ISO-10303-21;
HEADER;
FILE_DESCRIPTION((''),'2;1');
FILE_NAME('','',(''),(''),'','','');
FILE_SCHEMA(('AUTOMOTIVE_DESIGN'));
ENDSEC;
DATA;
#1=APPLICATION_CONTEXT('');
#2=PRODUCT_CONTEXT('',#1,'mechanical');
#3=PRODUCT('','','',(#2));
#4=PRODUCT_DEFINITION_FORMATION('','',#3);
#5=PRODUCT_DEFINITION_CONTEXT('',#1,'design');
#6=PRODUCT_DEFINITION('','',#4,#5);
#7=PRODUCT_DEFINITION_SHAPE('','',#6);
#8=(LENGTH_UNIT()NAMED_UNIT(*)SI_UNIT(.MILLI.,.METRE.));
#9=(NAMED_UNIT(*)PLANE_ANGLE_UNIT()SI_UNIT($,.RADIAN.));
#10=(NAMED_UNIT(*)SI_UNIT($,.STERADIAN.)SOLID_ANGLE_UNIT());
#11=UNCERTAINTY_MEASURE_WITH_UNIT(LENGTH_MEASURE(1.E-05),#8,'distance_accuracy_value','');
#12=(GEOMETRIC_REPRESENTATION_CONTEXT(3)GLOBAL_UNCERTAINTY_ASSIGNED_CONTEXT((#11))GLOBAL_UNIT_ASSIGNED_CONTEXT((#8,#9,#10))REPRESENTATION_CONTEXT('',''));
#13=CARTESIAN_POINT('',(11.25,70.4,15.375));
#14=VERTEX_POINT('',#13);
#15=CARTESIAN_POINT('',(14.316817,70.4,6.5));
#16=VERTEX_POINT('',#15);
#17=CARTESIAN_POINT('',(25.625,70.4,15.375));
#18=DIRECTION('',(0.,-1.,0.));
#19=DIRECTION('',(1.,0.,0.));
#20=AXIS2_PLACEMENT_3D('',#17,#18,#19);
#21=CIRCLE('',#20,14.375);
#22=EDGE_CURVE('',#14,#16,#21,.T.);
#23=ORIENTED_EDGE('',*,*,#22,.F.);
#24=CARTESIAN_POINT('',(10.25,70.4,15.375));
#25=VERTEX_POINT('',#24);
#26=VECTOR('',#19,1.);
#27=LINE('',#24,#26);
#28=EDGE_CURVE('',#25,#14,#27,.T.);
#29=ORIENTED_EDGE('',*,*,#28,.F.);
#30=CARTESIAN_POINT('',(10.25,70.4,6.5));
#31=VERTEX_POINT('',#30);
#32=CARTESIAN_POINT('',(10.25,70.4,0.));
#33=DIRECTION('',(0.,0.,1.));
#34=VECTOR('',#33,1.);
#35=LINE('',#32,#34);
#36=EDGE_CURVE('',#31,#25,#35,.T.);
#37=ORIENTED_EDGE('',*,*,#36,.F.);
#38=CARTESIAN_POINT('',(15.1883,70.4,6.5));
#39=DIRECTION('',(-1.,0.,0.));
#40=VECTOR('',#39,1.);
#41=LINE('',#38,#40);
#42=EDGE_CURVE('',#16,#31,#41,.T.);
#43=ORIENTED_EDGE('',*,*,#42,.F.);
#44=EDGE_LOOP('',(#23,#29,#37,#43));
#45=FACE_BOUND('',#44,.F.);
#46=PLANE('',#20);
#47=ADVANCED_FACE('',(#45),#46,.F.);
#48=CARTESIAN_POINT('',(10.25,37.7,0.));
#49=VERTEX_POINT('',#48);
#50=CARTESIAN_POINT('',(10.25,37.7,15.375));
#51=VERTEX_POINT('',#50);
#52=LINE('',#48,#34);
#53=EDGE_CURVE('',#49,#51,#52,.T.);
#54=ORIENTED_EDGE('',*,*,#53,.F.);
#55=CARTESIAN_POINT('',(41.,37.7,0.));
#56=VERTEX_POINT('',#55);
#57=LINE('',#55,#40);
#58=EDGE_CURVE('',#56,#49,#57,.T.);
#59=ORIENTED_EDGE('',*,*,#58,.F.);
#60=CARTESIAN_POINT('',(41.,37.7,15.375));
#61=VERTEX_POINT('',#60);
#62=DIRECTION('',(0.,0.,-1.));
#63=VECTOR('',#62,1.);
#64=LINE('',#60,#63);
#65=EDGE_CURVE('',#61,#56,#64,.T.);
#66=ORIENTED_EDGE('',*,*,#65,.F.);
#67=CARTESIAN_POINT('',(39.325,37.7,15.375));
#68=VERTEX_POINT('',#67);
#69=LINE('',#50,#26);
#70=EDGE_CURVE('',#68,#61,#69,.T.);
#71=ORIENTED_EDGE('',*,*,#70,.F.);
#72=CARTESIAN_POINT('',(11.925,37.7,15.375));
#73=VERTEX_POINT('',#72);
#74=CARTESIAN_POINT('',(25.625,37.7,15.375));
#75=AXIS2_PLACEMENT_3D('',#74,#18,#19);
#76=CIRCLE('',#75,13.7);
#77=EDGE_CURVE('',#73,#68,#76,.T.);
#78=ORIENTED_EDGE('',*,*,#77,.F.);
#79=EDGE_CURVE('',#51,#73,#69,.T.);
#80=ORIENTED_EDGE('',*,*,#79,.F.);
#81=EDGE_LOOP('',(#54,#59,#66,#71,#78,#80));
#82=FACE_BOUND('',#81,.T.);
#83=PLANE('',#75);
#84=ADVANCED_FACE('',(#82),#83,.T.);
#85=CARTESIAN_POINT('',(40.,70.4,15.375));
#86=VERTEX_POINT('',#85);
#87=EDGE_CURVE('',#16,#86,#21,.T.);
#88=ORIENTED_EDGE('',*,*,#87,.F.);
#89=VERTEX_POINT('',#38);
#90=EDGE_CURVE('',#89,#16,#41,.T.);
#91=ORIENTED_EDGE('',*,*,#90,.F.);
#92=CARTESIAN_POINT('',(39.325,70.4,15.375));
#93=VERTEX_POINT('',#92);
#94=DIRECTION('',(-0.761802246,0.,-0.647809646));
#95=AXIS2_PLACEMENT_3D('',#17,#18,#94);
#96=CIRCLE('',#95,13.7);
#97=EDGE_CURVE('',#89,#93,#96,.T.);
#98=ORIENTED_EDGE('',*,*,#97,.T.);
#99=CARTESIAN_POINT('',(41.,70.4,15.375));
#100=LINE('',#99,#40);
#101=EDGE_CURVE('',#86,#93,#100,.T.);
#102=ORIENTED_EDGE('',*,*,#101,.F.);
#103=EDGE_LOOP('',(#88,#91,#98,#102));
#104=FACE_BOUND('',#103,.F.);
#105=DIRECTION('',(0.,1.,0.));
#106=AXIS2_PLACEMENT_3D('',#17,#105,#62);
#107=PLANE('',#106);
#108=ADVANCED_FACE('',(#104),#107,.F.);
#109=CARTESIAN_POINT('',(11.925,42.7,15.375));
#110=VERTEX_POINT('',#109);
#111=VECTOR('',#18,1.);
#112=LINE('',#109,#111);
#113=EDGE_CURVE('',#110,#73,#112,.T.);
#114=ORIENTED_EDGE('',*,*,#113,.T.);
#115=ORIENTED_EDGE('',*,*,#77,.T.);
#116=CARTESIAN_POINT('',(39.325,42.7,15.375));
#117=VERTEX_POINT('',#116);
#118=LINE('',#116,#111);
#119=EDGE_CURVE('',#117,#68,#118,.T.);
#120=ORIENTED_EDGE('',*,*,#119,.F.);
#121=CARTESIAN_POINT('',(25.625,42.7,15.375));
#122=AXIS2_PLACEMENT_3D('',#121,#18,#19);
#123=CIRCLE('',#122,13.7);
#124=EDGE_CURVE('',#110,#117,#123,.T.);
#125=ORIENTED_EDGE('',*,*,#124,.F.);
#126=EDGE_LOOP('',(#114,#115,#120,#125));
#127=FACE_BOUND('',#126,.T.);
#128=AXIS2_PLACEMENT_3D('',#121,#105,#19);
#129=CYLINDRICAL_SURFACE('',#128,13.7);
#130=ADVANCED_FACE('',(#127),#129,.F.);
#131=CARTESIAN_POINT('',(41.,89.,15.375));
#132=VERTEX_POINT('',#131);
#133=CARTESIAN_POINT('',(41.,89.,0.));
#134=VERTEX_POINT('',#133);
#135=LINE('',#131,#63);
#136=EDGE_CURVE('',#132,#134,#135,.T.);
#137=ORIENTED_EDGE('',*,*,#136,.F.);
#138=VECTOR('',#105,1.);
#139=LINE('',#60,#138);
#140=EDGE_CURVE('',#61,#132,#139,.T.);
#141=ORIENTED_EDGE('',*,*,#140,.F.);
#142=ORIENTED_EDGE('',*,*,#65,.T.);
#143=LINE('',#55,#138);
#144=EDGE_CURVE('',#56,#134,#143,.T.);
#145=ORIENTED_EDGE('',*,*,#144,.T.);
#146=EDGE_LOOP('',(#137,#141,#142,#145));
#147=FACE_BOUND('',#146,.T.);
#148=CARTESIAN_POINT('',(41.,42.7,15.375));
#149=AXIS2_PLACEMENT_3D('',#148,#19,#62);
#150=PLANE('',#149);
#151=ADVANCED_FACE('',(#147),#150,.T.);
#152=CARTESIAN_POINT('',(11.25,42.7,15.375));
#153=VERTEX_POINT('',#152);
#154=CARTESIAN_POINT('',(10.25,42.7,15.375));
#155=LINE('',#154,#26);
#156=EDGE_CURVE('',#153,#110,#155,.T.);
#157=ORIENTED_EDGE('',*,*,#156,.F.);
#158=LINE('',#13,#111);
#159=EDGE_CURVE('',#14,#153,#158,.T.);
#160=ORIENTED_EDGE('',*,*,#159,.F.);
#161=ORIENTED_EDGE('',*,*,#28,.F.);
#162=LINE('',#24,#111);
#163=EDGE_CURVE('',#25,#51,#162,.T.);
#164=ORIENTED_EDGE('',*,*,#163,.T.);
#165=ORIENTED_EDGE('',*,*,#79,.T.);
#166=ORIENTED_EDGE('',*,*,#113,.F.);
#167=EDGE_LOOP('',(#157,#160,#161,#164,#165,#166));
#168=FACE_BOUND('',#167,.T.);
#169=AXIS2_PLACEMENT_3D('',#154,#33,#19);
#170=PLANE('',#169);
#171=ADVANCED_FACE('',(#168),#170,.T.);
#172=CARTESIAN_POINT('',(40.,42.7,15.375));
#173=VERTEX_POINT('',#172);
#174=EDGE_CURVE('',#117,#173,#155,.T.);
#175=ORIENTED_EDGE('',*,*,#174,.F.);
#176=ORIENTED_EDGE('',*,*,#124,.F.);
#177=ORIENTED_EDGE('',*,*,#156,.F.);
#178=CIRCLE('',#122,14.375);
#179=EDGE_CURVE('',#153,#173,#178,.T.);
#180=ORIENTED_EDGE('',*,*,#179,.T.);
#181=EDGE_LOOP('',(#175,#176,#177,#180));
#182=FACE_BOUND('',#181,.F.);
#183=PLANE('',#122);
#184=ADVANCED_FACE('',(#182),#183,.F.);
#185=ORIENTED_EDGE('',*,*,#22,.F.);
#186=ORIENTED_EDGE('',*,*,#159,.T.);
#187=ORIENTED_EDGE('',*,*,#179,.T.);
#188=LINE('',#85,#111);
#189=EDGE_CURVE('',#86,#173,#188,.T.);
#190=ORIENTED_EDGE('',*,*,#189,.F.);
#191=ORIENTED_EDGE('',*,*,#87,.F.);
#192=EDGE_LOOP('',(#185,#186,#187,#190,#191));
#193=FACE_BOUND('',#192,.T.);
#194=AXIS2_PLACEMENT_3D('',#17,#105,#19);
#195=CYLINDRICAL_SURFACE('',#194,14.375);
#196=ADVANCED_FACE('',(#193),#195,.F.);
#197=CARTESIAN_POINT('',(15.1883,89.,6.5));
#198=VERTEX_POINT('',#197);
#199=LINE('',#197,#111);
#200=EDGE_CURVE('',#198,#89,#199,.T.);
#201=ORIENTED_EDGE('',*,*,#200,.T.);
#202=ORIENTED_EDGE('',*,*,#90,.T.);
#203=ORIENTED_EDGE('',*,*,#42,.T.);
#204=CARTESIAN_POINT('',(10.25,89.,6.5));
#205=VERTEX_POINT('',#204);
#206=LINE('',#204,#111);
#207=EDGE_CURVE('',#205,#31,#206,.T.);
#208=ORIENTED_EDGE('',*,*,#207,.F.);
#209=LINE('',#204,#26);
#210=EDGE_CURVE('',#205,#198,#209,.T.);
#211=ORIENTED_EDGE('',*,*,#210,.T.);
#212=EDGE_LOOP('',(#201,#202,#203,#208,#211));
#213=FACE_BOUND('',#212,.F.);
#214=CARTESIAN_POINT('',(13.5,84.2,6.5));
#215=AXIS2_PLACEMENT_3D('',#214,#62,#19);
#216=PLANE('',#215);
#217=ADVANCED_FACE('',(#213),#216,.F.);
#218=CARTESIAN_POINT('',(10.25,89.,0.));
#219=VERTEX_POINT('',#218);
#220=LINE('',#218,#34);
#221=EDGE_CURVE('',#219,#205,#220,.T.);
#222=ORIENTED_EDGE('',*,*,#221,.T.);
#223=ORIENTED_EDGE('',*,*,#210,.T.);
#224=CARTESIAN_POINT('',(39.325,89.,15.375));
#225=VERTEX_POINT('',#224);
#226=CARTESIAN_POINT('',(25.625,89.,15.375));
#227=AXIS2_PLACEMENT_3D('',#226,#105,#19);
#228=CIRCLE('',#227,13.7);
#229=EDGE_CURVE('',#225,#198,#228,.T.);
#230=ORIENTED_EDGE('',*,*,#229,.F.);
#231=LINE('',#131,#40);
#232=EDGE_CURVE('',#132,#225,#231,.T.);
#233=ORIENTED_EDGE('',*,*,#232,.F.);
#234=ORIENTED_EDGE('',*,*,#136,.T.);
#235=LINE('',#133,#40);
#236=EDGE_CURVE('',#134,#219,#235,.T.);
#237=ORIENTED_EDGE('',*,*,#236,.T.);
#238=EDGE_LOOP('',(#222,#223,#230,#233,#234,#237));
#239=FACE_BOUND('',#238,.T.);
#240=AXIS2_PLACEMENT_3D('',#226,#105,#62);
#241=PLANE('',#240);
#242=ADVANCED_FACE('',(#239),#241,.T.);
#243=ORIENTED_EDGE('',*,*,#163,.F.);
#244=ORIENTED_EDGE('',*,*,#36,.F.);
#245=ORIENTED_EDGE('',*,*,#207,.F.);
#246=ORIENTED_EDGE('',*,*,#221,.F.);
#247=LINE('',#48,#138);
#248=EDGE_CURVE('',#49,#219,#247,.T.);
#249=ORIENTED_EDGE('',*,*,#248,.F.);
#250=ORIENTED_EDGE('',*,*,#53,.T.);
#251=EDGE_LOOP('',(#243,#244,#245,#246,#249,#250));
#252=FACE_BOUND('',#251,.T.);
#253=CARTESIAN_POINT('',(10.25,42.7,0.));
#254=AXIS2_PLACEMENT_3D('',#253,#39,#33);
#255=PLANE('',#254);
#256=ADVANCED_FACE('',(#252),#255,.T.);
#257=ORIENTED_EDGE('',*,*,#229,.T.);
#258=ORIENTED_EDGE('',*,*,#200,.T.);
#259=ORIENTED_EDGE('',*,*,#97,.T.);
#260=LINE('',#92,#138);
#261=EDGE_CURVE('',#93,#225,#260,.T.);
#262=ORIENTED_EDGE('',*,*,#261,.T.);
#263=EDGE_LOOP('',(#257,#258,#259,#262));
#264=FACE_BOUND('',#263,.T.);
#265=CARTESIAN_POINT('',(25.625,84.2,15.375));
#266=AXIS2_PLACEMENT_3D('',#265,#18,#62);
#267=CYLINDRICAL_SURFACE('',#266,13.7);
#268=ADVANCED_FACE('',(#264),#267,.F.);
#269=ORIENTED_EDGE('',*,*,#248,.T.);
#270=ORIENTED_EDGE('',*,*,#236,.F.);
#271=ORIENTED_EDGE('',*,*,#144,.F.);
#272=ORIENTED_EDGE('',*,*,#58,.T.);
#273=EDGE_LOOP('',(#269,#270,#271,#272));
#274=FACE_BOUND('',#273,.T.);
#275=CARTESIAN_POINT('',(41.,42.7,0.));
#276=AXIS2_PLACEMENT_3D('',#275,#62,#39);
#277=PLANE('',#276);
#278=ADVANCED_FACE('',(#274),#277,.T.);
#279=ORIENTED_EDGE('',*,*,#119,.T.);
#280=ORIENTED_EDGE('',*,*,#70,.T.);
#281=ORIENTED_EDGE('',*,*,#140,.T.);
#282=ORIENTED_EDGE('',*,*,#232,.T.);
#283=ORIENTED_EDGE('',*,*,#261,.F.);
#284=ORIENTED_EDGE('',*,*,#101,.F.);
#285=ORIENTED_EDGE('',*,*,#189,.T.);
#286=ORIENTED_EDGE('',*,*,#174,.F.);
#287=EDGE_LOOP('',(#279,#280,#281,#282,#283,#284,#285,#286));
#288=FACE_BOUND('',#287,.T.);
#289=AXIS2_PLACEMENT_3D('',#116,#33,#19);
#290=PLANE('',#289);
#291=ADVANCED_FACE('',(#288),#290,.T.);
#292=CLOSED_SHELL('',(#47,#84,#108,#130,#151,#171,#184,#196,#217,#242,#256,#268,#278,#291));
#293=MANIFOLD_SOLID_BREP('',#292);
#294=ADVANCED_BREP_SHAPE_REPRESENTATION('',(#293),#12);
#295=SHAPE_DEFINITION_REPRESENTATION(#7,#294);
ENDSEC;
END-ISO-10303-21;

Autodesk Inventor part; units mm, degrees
ref_plane "Work Plane1" through (25.625, 84.2, 15.375) normal (0, 1, 0) x (0, 0, -1)
sketch "Sketch1" plane through (25.625, 84.2, 15.375) normal (0, 1, 0) x (0, 0, -1)
  line L0 (11.5, -1.5) -> (11, -1.5) projected
  line L1 (11, -1.5) -> (11, 1.5) projected
  line L2 (11, 1.5) -> (11.5, 1.5) projected
  line L3 (11.5, 1.5) -> (11.5, -1.5) projected
  line L4 (-12, -1.5) -> (-12, 1.5) projected
  line L5 (-12, 1.5) -> (-11.5, 1.5) projected
  line L6 (-11.5, 1.5) -> (-11.5, -1.5) projected
  line L7 (-11.5, -1.5) -> (-12, -1.5) projected
  circle A0 centre (0, 0) radius 5 projected
  circle A1 centre (0, 0) radius 13.7 projected
  line L8 (18.875, -15.375) -> (18.875, 116.625) projected
  line L9 (18.875, 116.625) -> (15.375, 116.625) projected
  line L10 (15.375, -15.375) -> (15.375, 116.625) projected
  line L11 (18.875, -15.375) -> (15.375, -15.375) projected
  line L12 (15.375, -15.375) -> (0, -15.375)
  line L13 (0, -15.375) -> (0, 15.375)
  line L14 (0, 15.375) -> (15.375, 15.375)
  line L15 (15.375, 15.375) -> (15.375, -15.375)
  circle A2 centre (12.125, 12.125) radius 3.25
  circle A3 centre (12.125, -12.125) radius 3.25
  line L16 (8.875, 15.375) -> (8.875, 10.4367)
  point P0 (15.375, 25.625)
  point P1 (0, -13.7)
  dimension "d2" = 15.375
  dimension "d3" = 15.375
  dimension "d4" = 6.5
  dimension "d5" = 6.5
ref_plane "Work Plane2" through (11.25, 70.4, 1) normal (0, 1, 0) x (0, 0, 1)
extrude "Extrusion1" add sketch "Sketch1" along normal blind 4.8 and the other way blind 13.8 contours A1 L16 A2 L10 A3 L12 L13 | L16 L14 A2 | A2 | A3 L10 L12 | A3 | L14 L10 A2
sketch "Sketch2" plane through (25.625, 70.4, 15.375) normal (0, -1, 0) x (1, 0, 0)
  arc A0 (-3.651, 5.9062) -> (-4.7619, 7.7035) centre (-4.2064, 6.8048) ccw projected
  arc A1 (-3.651, 5.9062) -> (-6.4477, 2.5768) centre (0, 0) ccw projected
  arc A2 (-8.4097, 3.3608) -> (-6.4477, 2.5768) centre (-7.4287, 2.9688) ccw projected
  arc A3 (-4.7619, 7.7035) -> (-8.4097, 3.3608) centre (0, 0) ccw projected
  arc A4 (6.4477, 2.5768) -> (8.4097, 3.3608) centre (7.4287, 2.9688) ccw projected
  arc A5 (6.4477, 2.5768) -> (3.651, 5.9062) centre (0, 0) ccw projected
  arc A6 (4.7619, 7.7035) -> (3.651, 5.9062) centre (4.2064, 6.8048) ccw projected
  arc A7 (8.4097, 3.3608) -> (4.7619, 7.7035) centre (0, 0) ccw projected
  arc A8 (-6.4563, -2.5553) -> (-8.4209, -3.3328) centre (-7.4386, -2.9441) ccw projected
  arc A9 (-6.4563, -2.5553) -> (-3.651, -5.9062) centre (0, 0) ccw projected
  arc A10 (-4.7619, -7.7035) -> (-3.651, -5.9062) centre (-4.2064, -6.8048) ccw projected
  arc A11 (-8.4209, -3.3328) -> (-4.7619, -7.7035) centre (0, 0) ccw projected
  arc A12 (3.651, -5.9062) -> (4.7619, -7.7035) centre (4.2064, -6.8048) ccw projected
  arc A13 (3.651, -5.9062) -> (6.4563, -2.5553) centre (0, 0) ccw projected
  arc A14 (8.4209, -3.3328) -> (6.4563, -2.5553) centre (7.4386, -2.9441) ccw projected
  arc A15 (4.7619, -7.7035) -> (8.4209, -3.3328) centre (0, 0) ccw projected
  circle A16 centre (10.65, 0.0124) radius 1.15 projected
  circle A17 centre (0, 8) radius 1.0564 projected
  circle A18 centre (0, -8) radius 1.0564 projected
  circle A19 centre (0, 0) radius 5 projected
  circle A20 centre (0, 0) radius 13.7 projected
  line L0 (15.375, -18.875) -> (-116.625, -18.875) projected
  line L1 (-116.625, -18.875) -> (-116.625, -15.375) projected
  line L2 (15.375, -15.375) -> (-116.625, -15.375) projected
  line L3 (15.375, -18.875) -> (15.375, -15.375) projected
  line L4 (15.375, -15.375) -> (-15.375, -15.375)
  line L5 (-15.375, -15.375) -> (-15.375, 0)
  line L6 (-15.375, 0) -> (15.375, 0)
  line L7 (15.375, 0) -> (15.375, -15.375)
  circle A21 centre (0, 0) radius 14.375
  point P0 (-25.625, -15.375)
  point P1 (13.7, 0)
  point P2 (-13.7, 0)
  point P3 (-15.375, -15.375)
  point P4 (14.375, 0)
  point P5 (-14.375, 0)
  dimension "d10" = 15.375
  dimension "d11" = 15.375
ref_plane "Work Plane3" through (11.25, 42.7, 1) normal (0, -1, 0) x (1, 0, 0)
extrude "Extrusion2" add sketch "Sketch2" along normal up to surface (27.7 mm away) contours L6 L7 L2 L5 A21
sketch "Sketch3" plane through (25.625, 42.7, 15.375) normal (0, -1, 0) x (1, 0, 0)
  arc A0 (-3.651, 5.9062) -> (-4.7619, 7.7035) centre (-4.2064, 6.8048) ccw projected
  arc A1 (-3.651, 5.9062) -> (-6.4477, 2.5768) centre (0, 0) ccw projected
  arc A2 (-8.4097, 3.3608) -> (-6.4477, 2.5768) centre (-7.4287, 2.9688) ccw projected
  arc A3 (-4.7619, 7.7035) -> (-8.4097, 3.3608) centre (0, 0) ccw projected
  arc A4 (6.4477, 2.5768) -> (8.4097, 3.3608) centre (7.4287, 2.9688) ccw projected
  arc A5 (6.4477, 2.5768) -> (3.651, 5.9062) centre (0, 0) ccw projected
  arc A6 (4.7619, 7.7035) -> (3.651, 5.9062) centre (4.2064, 6.8048) ccw projected
  arc A7 (8.4097, 3.3608) -> (4.7619, 7.7035) centre (0, 0) ccw projected
  arc A8 (-6.4563, -2.5553) -> (-8.4209, -3.3328) centre (-7.4386, -2.9441) ccw projected
  arc A9 (-6.4563, -2.5553) -> (-3.651, -5.9062) centre (0, 0) ccw projected
  arc A10 (-4.7619, -7.7035) -> (-3.651, -5.9062) centre (-4.2064, -6.8048) ccw projected
  arc A11 (-8.4209, -3.3328) -> (-4.7619, -7.7035) centre (0, 0) ccw projected
  arc A12 (3.651, -5.9062) -> (4.7619, -7.7035) centre (4.2064, -6.8048) ccw projected
  arc A13 (3.651, -5.9062) -> (6.4563, -2.5553) centre (0, 0) ccw projected
  arc A14 (8.4209, -3.3328) -> (6.4563, -2.5553) centre (7.4386, -2.9441) ccw projected
  arc A15 (4.7619, -7.7035) -> (8.4209, -3.3328) centre (0, 0) ccw projected
  circle A16 centre (10.65, 0.0124) radius 1.15 projected
  circle A17 centre (0, 8) radius 1.0564 projected
  circle A18 centre (0, -8) radius 1.0564 projected
  circle A19 centre (0, 0) radius 5 projected
  circle A20 centre (0, 0) radius 13.7 projected
  line L0 (15.375, -18.875) -> (-116.625, -18.875) projected
  line L1 (-116.625, -18.875) -> (-116.625, -15.375) projected
  line L2 (15.375, -15.375) -> (-116.625, -15.375) projected
  line L3 (15.375, -18.875) -> (15.375, -15.375) projected
  line L4 (15.375, 0) -> (15.375, -15.375) projected
  line L5 (15.375, -15.375) -> (-15.375, -15.375)
  line L6 (-15.375, -15.375) -> (-15.375, 0)
  line L7 (-15.375, 0) -> (15.375, 0)
  line L8 (15.375, 0) -> (15.375, -15.375)
  point P0 (-25.625, -15.375)
  point P1 (15.375, 0)
  point P2 (13.7, 0)
  point P3 (-13.7, 0)
  point P4 (-15.375, -15.375)
  dimension "d14" = 15.375
  dimension "d15" = 15.375
ref_plane "Work Plane4" through (11.925, 37.7, 1.675) normal (0, -1, 0) x (1, 0, 0)
extrude "Extrusion3" add sketch "Sketch3" along normal up to surface (5 mm away) contours L7 L4 L2 L6 A20
equation "\"d3\" = d2"
equation "\"d11\" = d10"
equation "\"d15\" = d14"
properties part number "motur_holder"
